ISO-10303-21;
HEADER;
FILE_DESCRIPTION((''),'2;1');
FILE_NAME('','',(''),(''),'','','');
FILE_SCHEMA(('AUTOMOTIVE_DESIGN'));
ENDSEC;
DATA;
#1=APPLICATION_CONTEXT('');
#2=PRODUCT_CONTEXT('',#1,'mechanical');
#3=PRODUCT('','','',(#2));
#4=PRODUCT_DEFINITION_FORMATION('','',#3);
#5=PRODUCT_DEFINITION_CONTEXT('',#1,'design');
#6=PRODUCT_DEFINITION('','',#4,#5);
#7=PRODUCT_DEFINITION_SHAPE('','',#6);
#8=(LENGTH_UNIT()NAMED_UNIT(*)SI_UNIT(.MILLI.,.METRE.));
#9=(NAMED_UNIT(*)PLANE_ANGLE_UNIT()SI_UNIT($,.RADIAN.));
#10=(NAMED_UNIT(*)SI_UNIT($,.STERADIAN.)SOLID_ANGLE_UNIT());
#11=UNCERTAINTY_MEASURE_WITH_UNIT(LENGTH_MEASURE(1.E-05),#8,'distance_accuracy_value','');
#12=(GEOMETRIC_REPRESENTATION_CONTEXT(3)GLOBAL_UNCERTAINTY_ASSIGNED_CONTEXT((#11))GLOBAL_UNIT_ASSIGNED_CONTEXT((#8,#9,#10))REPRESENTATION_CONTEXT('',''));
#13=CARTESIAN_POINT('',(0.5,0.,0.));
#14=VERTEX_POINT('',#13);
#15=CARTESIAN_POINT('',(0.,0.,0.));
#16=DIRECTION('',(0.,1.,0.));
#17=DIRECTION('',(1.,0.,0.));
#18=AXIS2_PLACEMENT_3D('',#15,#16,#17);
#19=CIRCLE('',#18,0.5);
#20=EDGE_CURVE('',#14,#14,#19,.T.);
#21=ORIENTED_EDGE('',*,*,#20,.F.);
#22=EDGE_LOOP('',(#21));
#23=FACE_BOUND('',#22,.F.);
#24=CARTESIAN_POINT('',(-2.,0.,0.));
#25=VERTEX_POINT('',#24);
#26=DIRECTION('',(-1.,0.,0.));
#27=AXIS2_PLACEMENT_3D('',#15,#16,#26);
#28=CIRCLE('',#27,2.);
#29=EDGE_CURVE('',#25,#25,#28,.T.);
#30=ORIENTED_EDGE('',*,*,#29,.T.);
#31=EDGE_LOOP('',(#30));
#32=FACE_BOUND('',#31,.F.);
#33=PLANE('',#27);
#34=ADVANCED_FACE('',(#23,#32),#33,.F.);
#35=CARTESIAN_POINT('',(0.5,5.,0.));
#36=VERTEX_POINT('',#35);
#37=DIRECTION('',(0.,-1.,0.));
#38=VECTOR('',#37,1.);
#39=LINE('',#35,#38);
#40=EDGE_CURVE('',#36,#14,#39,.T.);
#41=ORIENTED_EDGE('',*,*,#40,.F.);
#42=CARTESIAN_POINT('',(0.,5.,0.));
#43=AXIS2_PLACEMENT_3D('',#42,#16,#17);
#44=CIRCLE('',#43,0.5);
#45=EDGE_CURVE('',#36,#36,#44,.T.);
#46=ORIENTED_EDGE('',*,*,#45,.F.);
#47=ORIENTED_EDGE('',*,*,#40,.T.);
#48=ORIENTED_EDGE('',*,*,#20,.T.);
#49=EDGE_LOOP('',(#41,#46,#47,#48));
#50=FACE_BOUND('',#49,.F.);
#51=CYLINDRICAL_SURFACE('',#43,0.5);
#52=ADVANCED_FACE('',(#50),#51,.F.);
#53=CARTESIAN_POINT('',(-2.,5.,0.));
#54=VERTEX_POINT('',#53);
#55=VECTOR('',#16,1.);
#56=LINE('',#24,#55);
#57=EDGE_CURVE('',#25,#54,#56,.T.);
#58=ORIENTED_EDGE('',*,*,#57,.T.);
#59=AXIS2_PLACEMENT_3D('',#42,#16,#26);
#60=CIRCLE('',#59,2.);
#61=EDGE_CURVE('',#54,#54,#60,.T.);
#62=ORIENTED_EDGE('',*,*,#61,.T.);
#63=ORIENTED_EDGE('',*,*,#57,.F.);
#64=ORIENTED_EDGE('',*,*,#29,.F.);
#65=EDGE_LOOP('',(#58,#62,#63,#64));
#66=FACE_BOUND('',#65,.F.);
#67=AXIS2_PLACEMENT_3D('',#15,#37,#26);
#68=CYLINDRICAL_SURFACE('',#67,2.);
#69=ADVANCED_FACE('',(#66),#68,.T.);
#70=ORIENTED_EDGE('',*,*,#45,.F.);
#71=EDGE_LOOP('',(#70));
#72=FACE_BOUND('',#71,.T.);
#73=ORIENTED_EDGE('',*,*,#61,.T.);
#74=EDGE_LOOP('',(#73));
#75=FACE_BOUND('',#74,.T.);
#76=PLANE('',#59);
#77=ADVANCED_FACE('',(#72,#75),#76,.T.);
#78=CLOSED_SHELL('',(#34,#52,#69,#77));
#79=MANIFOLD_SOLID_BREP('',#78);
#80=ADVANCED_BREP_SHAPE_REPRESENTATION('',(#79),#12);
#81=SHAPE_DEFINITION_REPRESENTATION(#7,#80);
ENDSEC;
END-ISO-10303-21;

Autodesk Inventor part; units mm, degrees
ref_plane "YZ Plane" through (0, 0, 0) normal (1, 0, 0) x (0, 1, 0)
ref_plane "XZ Plane" through (0, 0, 0) normal (0, 1, 0) x (-1, 0, 0)
ref_plane "XY Plane" through (0, 0, 0) normal (0, 0, 1) x (1, 0, 0)
sketch "スケッチ1" plane through (0, 0, 0) normal (0, 1, 0) x (-1, 0, 0)
  circle A0 centre (0, 0) radius 2
  dimension "d0" = 4
extrude "押し出し1" add sketch "スケッチ1" along normal blind 5
sketch "スケッチ2" plane through (0, 5, 0) normal (0, 1, 0) x (1, 0, 0)
  circle A0 centre (0, 0) radius 0.5
  dimension "d3" = 1
extrude "押し出し2" cut sketch "スケッチ2" against normal through all
properties part number "gear_tamiya_m0.5_8T_pinion"
